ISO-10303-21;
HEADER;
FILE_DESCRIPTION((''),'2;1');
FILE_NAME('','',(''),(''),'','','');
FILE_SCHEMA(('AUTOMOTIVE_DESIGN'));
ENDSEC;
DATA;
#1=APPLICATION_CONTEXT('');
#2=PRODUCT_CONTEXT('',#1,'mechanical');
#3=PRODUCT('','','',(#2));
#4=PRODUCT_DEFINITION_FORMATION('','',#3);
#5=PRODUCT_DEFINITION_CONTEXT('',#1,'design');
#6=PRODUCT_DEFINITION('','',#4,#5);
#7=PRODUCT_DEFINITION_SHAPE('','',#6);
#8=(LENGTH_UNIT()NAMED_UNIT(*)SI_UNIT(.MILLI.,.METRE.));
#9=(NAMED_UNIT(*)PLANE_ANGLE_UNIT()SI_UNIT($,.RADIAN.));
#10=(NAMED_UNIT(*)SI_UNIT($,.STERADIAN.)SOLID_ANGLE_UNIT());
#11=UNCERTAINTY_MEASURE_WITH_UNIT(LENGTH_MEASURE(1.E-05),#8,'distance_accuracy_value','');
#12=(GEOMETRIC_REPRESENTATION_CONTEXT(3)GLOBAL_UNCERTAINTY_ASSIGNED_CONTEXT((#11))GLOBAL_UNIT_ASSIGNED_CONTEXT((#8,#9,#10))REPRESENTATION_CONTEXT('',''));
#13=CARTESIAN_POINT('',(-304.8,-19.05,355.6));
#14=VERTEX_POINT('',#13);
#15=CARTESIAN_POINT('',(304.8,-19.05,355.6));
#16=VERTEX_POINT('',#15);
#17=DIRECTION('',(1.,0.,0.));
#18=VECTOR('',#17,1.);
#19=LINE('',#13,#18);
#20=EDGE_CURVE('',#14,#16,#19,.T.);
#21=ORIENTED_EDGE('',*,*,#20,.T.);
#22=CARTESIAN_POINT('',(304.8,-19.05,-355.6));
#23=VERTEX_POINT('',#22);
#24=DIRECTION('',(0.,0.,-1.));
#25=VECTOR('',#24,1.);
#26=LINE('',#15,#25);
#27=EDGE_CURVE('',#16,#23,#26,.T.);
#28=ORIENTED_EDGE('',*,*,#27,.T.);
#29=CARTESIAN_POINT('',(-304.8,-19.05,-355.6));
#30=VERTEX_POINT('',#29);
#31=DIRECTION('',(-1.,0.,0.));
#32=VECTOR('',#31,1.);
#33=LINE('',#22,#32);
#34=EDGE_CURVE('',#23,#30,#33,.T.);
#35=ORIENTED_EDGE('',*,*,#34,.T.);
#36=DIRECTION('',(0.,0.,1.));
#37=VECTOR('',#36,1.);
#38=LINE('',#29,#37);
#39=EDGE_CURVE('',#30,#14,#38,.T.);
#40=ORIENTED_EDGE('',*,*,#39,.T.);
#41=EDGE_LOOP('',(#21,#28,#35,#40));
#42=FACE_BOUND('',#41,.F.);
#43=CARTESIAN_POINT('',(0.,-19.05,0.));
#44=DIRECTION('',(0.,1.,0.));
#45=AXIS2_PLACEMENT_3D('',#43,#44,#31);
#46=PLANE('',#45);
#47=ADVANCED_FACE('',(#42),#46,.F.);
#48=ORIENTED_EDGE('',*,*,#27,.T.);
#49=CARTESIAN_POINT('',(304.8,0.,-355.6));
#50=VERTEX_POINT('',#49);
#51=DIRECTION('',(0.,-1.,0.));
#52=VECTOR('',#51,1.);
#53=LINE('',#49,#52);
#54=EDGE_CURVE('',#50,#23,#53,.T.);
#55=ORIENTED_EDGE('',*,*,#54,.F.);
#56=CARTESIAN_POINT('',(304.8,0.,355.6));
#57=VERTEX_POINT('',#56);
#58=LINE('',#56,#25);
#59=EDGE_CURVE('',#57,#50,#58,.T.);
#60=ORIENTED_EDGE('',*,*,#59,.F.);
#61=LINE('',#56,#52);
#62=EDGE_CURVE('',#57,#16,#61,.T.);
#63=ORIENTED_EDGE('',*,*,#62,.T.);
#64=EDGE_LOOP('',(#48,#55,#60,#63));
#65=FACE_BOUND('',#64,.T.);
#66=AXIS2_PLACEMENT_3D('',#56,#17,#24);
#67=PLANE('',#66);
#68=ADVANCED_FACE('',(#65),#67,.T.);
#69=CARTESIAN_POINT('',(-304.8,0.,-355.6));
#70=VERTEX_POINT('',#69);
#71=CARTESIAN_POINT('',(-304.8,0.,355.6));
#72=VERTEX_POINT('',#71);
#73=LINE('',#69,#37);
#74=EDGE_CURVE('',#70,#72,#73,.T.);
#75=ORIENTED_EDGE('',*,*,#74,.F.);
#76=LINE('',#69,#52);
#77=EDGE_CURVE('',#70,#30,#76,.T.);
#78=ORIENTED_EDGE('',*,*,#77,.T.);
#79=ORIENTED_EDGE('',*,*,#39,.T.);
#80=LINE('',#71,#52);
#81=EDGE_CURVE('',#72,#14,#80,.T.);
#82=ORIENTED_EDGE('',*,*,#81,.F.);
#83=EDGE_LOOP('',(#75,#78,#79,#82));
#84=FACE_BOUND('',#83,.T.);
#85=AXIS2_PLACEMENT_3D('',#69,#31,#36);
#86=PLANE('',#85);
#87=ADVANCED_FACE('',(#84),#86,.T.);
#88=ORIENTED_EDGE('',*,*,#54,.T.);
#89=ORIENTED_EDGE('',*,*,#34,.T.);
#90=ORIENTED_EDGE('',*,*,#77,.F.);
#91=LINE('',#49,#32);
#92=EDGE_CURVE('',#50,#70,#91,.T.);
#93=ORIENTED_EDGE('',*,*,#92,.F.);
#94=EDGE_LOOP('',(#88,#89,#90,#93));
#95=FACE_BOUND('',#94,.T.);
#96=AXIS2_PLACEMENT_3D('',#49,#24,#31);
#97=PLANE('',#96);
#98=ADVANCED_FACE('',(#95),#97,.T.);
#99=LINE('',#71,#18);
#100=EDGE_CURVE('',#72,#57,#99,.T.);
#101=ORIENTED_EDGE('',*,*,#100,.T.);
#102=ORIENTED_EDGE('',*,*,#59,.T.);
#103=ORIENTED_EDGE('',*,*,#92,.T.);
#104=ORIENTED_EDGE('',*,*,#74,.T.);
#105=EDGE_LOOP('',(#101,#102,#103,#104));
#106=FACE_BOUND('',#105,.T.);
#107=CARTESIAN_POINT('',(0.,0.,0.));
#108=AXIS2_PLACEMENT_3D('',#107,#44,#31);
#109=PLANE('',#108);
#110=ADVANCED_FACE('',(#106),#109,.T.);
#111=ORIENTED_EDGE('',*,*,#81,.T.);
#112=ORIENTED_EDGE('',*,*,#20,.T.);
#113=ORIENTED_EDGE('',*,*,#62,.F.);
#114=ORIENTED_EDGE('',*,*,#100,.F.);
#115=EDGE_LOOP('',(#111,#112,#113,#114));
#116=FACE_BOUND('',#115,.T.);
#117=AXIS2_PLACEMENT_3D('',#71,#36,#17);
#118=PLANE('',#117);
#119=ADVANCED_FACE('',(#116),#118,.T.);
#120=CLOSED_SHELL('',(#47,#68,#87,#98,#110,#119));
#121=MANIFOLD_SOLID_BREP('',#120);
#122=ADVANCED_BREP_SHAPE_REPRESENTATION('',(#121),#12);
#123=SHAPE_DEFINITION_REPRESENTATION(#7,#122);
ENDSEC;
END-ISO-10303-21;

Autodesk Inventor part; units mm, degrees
ref_plane "YZ Plane" through (0, 0, 0) normal (1, 0, 0) x (0, 1, 0)
ref_plane "XZ Plane" through (0, 0, 0) normal (0, 1, 0) x (-1, 0, 0)
ref_plane "XY Plane" through (0, 0, 0) normal (0, 0, 1) x (1, 0, 0)
sketch "Sketch1" plane through (0, 0, 0) normal (0, 1, 0) x (-1, 0, 0)
  line L0 (304.8, 355.6) -> (-304.8, 355.6)
  line L1 (-304.8, 355.6) -> (-304.8, -355.6)
  line L2 (-304.8, -355.6) -> (304.8, -355.6)
  line L3 (304.8, -355.6) -> (304.8, 355.6)
  line L4 (304.8, 355.6) -> (-304.8, -355.6) construction
  line L5 (-304.8, 355.6) -> (304.8, -355.6) construction
  point P0 (0, 0)
  dimension "d0" = 609.6
  dimension "d1" = 711.2
extrude "Extrusion1" add sketch "Sketch1" against normal blind 19.05
properties part number "basePlate" material "Wood (Birch)"
